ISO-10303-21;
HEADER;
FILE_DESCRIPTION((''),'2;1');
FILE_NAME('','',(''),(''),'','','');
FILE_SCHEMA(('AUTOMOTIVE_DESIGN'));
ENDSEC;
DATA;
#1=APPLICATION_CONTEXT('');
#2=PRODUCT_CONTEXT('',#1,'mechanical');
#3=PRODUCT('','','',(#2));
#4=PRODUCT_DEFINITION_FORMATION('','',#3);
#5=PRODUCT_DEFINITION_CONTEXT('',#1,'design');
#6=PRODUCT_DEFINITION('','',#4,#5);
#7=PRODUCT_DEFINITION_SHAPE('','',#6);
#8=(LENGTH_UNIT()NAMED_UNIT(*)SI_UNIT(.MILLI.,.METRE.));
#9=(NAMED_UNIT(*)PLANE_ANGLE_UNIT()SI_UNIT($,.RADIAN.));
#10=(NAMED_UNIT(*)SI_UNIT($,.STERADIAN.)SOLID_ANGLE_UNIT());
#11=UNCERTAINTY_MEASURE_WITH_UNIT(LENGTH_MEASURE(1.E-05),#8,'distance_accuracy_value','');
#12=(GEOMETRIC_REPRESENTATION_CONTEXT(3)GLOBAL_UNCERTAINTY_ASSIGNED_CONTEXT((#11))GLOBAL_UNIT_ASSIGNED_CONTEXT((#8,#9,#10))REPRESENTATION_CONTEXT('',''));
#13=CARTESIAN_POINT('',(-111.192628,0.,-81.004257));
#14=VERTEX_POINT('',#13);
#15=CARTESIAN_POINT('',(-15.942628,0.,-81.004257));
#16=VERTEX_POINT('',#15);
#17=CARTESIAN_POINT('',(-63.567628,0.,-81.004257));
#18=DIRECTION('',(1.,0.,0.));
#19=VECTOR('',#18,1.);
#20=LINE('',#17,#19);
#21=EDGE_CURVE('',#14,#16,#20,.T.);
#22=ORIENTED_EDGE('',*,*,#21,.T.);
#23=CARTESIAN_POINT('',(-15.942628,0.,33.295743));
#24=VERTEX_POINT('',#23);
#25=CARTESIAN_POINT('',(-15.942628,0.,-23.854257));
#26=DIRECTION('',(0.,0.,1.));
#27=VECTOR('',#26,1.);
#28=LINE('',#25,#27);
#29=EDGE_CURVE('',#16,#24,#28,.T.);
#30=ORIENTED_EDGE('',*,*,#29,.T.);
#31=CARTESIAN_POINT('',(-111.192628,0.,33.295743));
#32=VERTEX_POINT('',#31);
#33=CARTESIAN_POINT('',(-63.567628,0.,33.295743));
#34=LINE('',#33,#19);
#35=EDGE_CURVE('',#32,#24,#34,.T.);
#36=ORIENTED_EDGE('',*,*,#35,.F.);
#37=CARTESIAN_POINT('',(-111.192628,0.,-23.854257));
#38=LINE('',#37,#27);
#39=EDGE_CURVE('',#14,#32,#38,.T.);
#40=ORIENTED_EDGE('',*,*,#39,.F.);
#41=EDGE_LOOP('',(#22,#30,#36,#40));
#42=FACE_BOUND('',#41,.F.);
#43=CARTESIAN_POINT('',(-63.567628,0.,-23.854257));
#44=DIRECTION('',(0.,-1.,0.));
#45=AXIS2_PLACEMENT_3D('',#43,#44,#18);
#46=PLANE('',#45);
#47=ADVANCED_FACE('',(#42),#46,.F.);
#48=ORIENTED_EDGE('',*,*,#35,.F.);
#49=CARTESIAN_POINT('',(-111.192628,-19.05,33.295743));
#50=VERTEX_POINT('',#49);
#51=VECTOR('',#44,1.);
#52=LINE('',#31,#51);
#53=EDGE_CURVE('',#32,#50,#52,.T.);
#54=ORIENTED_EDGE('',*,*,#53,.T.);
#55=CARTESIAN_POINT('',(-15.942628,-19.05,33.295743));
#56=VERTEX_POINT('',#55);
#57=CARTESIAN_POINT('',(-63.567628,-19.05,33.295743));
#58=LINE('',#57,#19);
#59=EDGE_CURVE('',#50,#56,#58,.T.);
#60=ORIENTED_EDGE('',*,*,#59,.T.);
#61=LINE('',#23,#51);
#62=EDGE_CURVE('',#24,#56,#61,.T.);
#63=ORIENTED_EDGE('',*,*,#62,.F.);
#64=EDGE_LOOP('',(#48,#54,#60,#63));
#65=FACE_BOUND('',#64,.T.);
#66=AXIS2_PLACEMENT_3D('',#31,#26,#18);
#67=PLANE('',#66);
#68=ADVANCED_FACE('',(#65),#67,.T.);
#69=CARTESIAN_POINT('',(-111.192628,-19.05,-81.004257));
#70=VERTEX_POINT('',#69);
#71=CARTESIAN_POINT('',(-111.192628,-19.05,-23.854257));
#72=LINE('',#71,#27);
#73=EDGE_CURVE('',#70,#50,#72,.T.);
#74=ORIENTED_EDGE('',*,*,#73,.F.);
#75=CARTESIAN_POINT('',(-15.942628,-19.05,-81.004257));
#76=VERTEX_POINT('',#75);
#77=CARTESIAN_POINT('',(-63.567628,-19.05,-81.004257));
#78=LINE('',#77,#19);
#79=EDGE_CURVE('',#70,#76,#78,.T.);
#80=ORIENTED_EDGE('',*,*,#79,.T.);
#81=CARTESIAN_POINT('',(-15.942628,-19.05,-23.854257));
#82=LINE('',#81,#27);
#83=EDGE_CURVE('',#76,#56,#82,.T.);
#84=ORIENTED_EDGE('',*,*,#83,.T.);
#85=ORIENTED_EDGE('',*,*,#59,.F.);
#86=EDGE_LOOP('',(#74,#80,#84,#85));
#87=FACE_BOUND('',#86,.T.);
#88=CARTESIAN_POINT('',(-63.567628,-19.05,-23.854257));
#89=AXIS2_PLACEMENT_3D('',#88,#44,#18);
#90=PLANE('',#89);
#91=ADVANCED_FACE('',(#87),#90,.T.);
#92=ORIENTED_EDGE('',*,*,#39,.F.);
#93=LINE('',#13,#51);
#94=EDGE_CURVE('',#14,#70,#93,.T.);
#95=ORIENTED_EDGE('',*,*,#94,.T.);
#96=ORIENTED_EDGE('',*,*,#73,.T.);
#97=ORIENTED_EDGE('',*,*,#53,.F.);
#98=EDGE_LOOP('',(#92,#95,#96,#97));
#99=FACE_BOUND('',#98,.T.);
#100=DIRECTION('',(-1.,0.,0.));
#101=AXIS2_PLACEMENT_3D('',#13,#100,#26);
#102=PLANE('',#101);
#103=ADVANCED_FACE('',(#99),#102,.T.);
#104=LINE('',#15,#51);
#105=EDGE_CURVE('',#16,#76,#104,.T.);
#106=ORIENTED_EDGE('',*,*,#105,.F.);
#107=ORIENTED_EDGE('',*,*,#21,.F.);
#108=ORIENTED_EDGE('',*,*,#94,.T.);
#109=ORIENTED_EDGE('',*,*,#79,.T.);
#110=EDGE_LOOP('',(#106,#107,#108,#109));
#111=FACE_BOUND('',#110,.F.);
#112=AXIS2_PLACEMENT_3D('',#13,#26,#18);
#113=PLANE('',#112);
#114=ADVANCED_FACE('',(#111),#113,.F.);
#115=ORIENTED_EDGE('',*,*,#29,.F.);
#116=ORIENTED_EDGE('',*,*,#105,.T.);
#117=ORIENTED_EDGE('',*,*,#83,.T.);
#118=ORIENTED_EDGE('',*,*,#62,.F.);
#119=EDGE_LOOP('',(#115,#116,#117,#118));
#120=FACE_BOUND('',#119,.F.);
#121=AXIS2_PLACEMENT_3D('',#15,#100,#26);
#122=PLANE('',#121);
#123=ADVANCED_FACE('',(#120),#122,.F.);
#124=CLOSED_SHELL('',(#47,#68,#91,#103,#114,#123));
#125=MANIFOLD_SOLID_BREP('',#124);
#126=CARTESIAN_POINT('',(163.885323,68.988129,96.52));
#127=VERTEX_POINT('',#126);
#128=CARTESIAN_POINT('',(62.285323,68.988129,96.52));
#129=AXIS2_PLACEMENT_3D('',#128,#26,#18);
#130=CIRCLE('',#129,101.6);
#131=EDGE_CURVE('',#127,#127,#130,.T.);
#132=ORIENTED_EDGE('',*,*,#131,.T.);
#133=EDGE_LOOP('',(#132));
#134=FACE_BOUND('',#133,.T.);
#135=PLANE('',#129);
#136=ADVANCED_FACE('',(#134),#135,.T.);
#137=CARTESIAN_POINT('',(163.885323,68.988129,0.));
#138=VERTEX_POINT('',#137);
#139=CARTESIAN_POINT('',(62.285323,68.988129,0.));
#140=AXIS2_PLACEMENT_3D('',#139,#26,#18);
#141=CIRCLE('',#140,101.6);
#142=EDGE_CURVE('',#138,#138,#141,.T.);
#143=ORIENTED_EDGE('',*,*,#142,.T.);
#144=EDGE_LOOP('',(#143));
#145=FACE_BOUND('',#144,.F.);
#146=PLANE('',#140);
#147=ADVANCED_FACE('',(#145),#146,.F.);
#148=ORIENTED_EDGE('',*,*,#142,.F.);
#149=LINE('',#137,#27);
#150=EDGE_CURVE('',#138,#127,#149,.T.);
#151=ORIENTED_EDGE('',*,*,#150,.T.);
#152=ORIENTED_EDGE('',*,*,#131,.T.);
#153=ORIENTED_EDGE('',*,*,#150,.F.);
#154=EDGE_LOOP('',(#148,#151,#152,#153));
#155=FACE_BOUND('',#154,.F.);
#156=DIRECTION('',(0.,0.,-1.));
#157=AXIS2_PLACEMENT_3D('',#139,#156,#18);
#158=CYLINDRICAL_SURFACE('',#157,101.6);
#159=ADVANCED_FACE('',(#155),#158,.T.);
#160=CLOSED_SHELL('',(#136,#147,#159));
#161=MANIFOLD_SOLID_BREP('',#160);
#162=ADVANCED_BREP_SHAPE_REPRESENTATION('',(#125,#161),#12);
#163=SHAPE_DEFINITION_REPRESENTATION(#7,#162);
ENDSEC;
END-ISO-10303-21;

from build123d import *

# Parameters (mm, degrees)
F0_W     = 95.25
F0_H     = 114.3
F1_DEPTH = 19.05
F2_R     = 101.6
F3_DEPTH = 96.52


with BuildPart() as f1:
    # F0 (on Front) → F1 (new body)
    with BuildSketch(Plane.XZ):
        with Locations((-63.567628, -23.854257)):
            Rectangle(F0_W, F0_H)
    extrude(amount=F1_DEPTH)


with BuildPart() as f3:
    # F2 (on Top) → F3 (new body)
    with BuildSketch(Plane.XY):
        with Locations((62.285323, 68.988129)):
            Circle(F2_R)
    extrude(amount=F3_DEPTH)


solid = Compound([f1.part, f3.part])
